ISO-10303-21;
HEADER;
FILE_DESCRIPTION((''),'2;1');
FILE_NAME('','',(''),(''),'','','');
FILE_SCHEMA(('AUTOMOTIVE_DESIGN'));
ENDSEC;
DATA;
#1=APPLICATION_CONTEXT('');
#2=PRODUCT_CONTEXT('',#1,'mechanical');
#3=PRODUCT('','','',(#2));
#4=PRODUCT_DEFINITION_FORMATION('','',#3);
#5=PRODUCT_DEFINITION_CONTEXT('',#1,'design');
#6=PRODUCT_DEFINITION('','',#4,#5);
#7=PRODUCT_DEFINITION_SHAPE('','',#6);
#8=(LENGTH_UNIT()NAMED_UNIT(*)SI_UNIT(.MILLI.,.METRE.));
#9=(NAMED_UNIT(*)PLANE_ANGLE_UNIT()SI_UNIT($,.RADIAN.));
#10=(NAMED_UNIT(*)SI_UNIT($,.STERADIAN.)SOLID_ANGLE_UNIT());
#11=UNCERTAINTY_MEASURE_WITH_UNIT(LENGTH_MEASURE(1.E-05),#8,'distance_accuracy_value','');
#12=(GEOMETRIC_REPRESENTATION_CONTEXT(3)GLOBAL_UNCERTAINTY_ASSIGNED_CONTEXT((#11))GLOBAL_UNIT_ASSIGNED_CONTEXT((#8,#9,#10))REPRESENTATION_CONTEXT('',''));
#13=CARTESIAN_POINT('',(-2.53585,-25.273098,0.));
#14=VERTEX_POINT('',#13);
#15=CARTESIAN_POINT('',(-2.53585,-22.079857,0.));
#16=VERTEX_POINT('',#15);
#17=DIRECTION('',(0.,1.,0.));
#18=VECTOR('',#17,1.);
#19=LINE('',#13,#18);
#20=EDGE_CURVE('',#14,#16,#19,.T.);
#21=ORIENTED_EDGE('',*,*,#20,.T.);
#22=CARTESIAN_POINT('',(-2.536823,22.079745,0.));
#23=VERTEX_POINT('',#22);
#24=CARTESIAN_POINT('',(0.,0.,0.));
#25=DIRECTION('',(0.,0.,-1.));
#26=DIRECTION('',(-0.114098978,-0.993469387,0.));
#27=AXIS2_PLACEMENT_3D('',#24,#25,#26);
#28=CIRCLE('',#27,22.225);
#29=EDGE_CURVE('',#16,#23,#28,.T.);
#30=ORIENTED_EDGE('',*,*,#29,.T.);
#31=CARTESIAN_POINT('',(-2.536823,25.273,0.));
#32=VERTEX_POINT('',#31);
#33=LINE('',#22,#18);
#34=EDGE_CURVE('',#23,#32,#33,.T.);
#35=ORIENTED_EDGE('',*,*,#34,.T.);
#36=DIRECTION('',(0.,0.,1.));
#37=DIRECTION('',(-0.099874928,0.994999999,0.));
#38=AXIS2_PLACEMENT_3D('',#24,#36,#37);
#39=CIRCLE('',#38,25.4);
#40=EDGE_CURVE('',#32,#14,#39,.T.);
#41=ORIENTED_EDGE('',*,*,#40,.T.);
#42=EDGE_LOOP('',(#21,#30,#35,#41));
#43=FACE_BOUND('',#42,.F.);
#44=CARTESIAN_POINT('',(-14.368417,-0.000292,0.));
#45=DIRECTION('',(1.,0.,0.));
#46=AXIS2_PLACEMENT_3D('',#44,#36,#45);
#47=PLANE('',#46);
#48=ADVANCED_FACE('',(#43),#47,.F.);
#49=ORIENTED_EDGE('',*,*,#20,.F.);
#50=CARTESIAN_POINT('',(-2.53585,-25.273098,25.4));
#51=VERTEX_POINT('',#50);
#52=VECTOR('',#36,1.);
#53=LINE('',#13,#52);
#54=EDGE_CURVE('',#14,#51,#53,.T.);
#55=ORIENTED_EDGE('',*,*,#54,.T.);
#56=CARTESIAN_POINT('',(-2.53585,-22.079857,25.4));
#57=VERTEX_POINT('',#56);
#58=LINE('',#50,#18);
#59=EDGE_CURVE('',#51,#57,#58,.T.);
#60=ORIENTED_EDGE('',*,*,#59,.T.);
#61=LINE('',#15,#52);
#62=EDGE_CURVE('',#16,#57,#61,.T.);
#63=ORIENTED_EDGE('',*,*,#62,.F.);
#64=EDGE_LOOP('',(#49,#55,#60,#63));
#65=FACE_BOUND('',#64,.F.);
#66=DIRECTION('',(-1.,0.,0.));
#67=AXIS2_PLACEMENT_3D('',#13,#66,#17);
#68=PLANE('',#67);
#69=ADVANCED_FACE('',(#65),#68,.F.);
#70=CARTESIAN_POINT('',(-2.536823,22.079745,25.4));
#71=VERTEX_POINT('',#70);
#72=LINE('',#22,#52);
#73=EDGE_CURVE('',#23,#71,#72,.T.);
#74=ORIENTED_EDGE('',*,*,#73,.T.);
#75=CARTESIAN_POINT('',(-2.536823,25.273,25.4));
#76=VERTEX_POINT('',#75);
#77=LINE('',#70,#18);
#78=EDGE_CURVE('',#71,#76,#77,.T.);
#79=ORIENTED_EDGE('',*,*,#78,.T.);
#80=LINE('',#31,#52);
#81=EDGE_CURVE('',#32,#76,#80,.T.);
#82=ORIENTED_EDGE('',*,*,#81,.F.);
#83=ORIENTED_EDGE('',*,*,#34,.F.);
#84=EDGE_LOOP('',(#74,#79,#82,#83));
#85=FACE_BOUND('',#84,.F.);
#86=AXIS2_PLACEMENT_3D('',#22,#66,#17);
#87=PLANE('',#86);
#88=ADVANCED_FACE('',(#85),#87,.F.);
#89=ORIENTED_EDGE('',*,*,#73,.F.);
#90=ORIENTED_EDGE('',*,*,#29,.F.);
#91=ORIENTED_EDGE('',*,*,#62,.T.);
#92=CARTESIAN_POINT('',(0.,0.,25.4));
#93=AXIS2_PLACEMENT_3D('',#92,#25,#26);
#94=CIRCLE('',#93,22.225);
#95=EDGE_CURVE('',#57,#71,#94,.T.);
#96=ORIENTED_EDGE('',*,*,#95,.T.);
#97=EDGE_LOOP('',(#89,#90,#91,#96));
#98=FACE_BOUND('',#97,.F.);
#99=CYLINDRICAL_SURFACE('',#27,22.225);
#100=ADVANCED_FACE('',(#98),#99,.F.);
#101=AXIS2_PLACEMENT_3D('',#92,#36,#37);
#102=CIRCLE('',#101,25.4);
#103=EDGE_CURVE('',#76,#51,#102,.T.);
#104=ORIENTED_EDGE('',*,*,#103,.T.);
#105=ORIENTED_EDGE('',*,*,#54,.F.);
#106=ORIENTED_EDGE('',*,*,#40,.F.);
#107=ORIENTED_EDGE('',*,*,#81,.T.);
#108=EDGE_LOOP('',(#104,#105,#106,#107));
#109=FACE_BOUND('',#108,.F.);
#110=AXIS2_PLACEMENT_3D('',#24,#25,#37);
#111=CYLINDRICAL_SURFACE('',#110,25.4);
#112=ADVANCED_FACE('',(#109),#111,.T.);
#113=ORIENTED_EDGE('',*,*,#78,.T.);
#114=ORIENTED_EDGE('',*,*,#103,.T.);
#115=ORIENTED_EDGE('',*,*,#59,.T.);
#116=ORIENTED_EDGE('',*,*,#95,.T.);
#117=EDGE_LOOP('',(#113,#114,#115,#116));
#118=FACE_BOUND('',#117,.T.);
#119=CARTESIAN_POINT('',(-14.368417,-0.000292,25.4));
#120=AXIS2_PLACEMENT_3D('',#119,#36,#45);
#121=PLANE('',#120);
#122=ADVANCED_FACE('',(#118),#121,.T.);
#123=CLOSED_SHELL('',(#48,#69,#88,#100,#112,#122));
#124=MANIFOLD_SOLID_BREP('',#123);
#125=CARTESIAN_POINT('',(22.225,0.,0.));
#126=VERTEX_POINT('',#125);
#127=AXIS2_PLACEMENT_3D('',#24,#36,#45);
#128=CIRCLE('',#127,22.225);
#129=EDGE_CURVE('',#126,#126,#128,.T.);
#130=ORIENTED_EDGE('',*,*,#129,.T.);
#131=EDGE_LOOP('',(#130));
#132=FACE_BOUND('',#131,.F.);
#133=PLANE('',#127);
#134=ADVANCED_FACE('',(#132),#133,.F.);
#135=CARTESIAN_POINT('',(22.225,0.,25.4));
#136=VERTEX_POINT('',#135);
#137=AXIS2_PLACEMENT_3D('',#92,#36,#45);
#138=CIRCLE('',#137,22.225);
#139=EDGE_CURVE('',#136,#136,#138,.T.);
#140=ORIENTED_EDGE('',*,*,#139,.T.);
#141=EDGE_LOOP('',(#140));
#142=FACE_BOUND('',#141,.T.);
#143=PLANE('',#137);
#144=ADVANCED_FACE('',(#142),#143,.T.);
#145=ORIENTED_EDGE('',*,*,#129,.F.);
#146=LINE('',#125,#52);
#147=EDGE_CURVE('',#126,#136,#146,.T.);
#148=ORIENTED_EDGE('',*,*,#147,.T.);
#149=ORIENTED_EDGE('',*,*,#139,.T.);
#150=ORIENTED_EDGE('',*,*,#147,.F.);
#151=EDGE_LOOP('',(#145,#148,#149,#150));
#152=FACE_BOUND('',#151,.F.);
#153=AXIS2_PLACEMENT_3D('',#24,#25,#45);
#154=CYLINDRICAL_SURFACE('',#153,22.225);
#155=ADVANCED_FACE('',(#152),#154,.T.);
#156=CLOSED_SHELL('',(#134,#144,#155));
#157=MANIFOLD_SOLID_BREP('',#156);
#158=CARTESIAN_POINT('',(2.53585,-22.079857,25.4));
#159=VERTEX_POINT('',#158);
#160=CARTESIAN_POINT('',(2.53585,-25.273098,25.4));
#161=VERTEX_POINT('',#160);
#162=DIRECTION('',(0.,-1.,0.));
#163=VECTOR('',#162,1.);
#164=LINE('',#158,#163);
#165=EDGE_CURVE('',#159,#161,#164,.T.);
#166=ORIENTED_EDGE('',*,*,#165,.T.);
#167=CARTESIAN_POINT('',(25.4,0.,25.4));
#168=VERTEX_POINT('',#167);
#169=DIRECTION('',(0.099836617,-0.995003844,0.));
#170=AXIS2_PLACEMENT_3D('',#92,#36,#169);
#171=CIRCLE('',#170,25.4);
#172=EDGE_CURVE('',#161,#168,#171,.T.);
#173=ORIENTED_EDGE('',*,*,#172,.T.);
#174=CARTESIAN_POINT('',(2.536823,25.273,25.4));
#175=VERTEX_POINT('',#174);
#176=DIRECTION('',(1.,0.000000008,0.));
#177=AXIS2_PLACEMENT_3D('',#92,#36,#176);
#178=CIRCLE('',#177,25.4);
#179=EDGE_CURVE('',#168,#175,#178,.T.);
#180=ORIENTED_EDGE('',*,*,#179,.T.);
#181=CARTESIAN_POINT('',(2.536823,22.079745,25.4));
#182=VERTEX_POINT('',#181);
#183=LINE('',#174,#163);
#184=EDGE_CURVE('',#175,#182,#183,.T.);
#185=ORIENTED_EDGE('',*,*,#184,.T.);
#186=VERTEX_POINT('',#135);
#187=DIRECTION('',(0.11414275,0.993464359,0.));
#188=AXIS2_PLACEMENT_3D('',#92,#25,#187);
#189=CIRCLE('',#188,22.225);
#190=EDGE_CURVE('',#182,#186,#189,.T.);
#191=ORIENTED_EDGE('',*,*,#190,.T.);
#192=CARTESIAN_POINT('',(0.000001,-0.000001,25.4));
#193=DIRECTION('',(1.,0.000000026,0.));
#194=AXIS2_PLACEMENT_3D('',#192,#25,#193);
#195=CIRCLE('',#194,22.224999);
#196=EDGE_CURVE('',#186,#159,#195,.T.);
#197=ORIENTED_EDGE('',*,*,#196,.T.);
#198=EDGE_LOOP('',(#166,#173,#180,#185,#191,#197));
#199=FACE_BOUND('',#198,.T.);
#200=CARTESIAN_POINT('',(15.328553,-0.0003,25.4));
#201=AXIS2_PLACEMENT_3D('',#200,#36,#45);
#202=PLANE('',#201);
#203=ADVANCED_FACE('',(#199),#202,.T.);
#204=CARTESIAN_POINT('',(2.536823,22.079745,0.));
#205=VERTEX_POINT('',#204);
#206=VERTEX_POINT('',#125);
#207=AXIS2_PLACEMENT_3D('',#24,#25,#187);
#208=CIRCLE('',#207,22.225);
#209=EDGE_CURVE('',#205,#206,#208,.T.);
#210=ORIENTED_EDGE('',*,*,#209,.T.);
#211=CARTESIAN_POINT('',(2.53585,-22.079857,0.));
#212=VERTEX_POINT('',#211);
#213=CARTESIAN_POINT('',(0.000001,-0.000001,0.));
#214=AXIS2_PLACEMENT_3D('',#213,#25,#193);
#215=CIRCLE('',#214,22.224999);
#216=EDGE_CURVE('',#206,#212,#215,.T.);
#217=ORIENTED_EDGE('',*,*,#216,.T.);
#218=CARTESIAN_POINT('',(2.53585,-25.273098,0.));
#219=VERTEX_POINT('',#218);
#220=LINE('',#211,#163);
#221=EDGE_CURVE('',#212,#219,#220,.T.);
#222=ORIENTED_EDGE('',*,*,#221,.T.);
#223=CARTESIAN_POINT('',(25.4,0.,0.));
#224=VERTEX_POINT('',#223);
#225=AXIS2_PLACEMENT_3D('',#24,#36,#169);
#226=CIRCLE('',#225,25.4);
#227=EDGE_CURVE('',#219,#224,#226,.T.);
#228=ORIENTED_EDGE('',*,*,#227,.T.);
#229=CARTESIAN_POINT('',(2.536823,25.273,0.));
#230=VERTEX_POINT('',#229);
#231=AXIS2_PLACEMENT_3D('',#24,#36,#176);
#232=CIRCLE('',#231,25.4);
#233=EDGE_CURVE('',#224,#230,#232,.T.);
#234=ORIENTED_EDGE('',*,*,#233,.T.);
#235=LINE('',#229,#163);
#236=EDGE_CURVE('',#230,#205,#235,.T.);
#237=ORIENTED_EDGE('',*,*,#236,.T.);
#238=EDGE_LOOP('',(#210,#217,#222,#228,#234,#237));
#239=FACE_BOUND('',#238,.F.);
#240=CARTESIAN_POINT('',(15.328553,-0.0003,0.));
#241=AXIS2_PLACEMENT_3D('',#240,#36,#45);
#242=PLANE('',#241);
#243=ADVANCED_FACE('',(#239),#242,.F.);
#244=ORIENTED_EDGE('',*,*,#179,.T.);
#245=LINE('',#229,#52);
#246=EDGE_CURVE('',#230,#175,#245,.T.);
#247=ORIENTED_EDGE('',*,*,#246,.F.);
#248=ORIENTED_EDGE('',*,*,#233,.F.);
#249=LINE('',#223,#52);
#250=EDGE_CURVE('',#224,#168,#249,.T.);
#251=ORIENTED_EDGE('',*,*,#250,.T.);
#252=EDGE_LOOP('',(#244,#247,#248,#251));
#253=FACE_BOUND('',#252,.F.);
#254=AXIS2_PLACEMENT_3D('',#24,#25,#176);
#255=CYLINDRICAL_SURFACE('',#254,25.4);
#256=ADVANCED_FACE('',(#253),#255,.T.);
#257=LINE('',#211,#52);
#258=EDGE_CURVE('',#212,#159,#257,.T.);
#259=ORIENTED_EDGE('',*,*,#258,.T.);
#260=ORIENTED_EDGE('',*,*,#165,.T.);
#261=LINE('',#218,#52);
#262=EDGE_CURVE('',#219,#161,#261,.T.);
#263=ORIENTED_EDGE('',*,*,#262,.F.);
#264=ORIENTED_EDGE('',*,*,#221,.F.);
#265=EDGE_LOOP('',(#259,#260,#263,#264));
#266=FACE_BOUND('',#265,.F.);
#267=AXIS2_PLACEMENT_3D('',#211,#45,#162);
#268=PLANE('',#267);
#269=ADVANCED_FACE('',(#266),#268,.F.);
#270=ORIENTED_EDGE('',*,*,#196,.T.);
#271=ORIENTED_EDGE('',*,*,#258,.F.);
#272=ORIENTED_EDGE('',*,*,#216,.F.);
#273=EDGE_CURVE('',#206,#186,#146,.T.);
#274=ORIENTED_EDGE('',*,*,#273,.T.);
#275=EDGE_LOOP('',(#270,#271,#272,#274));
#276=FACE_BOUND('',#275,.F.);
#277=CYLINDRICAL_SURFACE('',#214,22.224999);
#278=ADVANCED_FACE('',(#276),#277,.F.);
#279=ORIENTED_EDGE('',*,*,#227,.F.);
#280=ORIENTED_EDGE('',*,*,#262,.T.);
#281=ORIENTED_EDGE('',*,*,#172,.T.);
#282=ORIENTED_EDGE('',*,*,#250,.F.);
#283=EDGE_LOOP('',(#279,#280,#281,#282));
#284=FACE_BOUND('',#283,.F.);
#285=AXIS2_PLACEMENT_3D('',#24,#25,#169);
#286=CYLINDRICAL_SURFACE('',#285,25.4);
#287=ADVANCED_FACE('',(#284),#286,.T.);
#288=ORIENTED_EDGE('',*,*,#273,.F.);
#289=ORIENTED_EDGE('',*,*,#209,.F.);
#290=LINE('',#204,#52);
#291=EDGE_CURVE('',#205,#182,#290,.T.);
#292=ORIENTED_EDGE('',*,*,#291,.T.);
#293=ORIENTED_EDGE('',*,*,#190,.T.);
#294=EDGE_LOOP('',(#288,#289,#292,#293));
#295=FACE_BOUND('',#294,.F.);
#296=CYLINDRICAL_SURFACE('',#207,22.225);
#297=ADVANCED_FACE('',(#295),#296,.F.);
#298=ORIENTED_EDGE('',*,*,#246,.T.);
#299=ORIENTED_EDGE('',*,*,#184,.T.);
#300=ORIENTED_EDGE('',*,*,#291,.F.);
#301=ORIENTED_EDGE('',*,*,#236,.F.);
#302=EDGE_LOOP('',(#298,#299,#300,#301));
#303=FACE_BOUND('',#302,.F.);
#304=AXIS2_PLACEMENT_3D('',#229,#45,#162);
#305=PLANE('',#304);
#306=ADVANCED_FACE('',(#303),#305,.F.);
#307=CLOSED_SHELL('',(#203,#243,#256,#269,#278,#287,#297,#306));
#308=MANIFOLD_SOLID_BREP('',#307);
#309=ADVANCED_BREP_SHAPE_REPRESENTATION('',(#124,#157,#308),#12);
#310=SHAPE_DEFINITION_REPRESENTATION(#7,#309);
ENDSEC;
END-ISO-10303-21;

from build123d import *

# Parameters (mm, degrees)
F1_DEPTH = 25.4
F2_R     = 22.225
F3_DEPTH = 25.4


with BuildPart() as f1:
    # F0 (on Top) → F1 (new body)
    with BuildSketch(Plane.XY):
        with BuildLine():
            Line((-2.536823, 22.079745), (-2.536823, 25.273))
            ThreePointArc((-2.536823, 25.273), (-25.4, -0.000489), (-2.53585, -25.273098))
            Line((-2.53585, -25.273098), (-2.53585, -22.079857))
            ThreePointArc((-2.53585, -22.079857), (-22.225, -0.00049), (-2.536823, 22.079745))
        make_face()
        with BuildLine():
            ThreePointArc((2.53585, -25.273098), (18.835745, -17.040385), (25.4, 0))
            ThreePointArc((25.4, 0), (18.836073, 17.040022), (2.536823, 25.273))
            Line((2.536823, 25.273), (2.536823, 22.079745))
            ThreePointArc((2.536823, 22.079745), (16.588121, 14.791378), (22.225, 0))
            ThreePointArc((22.225, 0), (16.587795, -14.791744), (2.53585, -22.079857))
            Line((2.53585, -22.079857), (2.53585, -25.273098))
        make_face()
    extrude(amount=F1_DEPTH)


with BuildPart() as f3:
    # F2 (on Top) → F3 (new body)
    with BuildSketch(Plane.XY):
        Circle(F2_R)
    extrude(amount=F3_DEPTH)


solid = Compound([f1.part, f3.part])
